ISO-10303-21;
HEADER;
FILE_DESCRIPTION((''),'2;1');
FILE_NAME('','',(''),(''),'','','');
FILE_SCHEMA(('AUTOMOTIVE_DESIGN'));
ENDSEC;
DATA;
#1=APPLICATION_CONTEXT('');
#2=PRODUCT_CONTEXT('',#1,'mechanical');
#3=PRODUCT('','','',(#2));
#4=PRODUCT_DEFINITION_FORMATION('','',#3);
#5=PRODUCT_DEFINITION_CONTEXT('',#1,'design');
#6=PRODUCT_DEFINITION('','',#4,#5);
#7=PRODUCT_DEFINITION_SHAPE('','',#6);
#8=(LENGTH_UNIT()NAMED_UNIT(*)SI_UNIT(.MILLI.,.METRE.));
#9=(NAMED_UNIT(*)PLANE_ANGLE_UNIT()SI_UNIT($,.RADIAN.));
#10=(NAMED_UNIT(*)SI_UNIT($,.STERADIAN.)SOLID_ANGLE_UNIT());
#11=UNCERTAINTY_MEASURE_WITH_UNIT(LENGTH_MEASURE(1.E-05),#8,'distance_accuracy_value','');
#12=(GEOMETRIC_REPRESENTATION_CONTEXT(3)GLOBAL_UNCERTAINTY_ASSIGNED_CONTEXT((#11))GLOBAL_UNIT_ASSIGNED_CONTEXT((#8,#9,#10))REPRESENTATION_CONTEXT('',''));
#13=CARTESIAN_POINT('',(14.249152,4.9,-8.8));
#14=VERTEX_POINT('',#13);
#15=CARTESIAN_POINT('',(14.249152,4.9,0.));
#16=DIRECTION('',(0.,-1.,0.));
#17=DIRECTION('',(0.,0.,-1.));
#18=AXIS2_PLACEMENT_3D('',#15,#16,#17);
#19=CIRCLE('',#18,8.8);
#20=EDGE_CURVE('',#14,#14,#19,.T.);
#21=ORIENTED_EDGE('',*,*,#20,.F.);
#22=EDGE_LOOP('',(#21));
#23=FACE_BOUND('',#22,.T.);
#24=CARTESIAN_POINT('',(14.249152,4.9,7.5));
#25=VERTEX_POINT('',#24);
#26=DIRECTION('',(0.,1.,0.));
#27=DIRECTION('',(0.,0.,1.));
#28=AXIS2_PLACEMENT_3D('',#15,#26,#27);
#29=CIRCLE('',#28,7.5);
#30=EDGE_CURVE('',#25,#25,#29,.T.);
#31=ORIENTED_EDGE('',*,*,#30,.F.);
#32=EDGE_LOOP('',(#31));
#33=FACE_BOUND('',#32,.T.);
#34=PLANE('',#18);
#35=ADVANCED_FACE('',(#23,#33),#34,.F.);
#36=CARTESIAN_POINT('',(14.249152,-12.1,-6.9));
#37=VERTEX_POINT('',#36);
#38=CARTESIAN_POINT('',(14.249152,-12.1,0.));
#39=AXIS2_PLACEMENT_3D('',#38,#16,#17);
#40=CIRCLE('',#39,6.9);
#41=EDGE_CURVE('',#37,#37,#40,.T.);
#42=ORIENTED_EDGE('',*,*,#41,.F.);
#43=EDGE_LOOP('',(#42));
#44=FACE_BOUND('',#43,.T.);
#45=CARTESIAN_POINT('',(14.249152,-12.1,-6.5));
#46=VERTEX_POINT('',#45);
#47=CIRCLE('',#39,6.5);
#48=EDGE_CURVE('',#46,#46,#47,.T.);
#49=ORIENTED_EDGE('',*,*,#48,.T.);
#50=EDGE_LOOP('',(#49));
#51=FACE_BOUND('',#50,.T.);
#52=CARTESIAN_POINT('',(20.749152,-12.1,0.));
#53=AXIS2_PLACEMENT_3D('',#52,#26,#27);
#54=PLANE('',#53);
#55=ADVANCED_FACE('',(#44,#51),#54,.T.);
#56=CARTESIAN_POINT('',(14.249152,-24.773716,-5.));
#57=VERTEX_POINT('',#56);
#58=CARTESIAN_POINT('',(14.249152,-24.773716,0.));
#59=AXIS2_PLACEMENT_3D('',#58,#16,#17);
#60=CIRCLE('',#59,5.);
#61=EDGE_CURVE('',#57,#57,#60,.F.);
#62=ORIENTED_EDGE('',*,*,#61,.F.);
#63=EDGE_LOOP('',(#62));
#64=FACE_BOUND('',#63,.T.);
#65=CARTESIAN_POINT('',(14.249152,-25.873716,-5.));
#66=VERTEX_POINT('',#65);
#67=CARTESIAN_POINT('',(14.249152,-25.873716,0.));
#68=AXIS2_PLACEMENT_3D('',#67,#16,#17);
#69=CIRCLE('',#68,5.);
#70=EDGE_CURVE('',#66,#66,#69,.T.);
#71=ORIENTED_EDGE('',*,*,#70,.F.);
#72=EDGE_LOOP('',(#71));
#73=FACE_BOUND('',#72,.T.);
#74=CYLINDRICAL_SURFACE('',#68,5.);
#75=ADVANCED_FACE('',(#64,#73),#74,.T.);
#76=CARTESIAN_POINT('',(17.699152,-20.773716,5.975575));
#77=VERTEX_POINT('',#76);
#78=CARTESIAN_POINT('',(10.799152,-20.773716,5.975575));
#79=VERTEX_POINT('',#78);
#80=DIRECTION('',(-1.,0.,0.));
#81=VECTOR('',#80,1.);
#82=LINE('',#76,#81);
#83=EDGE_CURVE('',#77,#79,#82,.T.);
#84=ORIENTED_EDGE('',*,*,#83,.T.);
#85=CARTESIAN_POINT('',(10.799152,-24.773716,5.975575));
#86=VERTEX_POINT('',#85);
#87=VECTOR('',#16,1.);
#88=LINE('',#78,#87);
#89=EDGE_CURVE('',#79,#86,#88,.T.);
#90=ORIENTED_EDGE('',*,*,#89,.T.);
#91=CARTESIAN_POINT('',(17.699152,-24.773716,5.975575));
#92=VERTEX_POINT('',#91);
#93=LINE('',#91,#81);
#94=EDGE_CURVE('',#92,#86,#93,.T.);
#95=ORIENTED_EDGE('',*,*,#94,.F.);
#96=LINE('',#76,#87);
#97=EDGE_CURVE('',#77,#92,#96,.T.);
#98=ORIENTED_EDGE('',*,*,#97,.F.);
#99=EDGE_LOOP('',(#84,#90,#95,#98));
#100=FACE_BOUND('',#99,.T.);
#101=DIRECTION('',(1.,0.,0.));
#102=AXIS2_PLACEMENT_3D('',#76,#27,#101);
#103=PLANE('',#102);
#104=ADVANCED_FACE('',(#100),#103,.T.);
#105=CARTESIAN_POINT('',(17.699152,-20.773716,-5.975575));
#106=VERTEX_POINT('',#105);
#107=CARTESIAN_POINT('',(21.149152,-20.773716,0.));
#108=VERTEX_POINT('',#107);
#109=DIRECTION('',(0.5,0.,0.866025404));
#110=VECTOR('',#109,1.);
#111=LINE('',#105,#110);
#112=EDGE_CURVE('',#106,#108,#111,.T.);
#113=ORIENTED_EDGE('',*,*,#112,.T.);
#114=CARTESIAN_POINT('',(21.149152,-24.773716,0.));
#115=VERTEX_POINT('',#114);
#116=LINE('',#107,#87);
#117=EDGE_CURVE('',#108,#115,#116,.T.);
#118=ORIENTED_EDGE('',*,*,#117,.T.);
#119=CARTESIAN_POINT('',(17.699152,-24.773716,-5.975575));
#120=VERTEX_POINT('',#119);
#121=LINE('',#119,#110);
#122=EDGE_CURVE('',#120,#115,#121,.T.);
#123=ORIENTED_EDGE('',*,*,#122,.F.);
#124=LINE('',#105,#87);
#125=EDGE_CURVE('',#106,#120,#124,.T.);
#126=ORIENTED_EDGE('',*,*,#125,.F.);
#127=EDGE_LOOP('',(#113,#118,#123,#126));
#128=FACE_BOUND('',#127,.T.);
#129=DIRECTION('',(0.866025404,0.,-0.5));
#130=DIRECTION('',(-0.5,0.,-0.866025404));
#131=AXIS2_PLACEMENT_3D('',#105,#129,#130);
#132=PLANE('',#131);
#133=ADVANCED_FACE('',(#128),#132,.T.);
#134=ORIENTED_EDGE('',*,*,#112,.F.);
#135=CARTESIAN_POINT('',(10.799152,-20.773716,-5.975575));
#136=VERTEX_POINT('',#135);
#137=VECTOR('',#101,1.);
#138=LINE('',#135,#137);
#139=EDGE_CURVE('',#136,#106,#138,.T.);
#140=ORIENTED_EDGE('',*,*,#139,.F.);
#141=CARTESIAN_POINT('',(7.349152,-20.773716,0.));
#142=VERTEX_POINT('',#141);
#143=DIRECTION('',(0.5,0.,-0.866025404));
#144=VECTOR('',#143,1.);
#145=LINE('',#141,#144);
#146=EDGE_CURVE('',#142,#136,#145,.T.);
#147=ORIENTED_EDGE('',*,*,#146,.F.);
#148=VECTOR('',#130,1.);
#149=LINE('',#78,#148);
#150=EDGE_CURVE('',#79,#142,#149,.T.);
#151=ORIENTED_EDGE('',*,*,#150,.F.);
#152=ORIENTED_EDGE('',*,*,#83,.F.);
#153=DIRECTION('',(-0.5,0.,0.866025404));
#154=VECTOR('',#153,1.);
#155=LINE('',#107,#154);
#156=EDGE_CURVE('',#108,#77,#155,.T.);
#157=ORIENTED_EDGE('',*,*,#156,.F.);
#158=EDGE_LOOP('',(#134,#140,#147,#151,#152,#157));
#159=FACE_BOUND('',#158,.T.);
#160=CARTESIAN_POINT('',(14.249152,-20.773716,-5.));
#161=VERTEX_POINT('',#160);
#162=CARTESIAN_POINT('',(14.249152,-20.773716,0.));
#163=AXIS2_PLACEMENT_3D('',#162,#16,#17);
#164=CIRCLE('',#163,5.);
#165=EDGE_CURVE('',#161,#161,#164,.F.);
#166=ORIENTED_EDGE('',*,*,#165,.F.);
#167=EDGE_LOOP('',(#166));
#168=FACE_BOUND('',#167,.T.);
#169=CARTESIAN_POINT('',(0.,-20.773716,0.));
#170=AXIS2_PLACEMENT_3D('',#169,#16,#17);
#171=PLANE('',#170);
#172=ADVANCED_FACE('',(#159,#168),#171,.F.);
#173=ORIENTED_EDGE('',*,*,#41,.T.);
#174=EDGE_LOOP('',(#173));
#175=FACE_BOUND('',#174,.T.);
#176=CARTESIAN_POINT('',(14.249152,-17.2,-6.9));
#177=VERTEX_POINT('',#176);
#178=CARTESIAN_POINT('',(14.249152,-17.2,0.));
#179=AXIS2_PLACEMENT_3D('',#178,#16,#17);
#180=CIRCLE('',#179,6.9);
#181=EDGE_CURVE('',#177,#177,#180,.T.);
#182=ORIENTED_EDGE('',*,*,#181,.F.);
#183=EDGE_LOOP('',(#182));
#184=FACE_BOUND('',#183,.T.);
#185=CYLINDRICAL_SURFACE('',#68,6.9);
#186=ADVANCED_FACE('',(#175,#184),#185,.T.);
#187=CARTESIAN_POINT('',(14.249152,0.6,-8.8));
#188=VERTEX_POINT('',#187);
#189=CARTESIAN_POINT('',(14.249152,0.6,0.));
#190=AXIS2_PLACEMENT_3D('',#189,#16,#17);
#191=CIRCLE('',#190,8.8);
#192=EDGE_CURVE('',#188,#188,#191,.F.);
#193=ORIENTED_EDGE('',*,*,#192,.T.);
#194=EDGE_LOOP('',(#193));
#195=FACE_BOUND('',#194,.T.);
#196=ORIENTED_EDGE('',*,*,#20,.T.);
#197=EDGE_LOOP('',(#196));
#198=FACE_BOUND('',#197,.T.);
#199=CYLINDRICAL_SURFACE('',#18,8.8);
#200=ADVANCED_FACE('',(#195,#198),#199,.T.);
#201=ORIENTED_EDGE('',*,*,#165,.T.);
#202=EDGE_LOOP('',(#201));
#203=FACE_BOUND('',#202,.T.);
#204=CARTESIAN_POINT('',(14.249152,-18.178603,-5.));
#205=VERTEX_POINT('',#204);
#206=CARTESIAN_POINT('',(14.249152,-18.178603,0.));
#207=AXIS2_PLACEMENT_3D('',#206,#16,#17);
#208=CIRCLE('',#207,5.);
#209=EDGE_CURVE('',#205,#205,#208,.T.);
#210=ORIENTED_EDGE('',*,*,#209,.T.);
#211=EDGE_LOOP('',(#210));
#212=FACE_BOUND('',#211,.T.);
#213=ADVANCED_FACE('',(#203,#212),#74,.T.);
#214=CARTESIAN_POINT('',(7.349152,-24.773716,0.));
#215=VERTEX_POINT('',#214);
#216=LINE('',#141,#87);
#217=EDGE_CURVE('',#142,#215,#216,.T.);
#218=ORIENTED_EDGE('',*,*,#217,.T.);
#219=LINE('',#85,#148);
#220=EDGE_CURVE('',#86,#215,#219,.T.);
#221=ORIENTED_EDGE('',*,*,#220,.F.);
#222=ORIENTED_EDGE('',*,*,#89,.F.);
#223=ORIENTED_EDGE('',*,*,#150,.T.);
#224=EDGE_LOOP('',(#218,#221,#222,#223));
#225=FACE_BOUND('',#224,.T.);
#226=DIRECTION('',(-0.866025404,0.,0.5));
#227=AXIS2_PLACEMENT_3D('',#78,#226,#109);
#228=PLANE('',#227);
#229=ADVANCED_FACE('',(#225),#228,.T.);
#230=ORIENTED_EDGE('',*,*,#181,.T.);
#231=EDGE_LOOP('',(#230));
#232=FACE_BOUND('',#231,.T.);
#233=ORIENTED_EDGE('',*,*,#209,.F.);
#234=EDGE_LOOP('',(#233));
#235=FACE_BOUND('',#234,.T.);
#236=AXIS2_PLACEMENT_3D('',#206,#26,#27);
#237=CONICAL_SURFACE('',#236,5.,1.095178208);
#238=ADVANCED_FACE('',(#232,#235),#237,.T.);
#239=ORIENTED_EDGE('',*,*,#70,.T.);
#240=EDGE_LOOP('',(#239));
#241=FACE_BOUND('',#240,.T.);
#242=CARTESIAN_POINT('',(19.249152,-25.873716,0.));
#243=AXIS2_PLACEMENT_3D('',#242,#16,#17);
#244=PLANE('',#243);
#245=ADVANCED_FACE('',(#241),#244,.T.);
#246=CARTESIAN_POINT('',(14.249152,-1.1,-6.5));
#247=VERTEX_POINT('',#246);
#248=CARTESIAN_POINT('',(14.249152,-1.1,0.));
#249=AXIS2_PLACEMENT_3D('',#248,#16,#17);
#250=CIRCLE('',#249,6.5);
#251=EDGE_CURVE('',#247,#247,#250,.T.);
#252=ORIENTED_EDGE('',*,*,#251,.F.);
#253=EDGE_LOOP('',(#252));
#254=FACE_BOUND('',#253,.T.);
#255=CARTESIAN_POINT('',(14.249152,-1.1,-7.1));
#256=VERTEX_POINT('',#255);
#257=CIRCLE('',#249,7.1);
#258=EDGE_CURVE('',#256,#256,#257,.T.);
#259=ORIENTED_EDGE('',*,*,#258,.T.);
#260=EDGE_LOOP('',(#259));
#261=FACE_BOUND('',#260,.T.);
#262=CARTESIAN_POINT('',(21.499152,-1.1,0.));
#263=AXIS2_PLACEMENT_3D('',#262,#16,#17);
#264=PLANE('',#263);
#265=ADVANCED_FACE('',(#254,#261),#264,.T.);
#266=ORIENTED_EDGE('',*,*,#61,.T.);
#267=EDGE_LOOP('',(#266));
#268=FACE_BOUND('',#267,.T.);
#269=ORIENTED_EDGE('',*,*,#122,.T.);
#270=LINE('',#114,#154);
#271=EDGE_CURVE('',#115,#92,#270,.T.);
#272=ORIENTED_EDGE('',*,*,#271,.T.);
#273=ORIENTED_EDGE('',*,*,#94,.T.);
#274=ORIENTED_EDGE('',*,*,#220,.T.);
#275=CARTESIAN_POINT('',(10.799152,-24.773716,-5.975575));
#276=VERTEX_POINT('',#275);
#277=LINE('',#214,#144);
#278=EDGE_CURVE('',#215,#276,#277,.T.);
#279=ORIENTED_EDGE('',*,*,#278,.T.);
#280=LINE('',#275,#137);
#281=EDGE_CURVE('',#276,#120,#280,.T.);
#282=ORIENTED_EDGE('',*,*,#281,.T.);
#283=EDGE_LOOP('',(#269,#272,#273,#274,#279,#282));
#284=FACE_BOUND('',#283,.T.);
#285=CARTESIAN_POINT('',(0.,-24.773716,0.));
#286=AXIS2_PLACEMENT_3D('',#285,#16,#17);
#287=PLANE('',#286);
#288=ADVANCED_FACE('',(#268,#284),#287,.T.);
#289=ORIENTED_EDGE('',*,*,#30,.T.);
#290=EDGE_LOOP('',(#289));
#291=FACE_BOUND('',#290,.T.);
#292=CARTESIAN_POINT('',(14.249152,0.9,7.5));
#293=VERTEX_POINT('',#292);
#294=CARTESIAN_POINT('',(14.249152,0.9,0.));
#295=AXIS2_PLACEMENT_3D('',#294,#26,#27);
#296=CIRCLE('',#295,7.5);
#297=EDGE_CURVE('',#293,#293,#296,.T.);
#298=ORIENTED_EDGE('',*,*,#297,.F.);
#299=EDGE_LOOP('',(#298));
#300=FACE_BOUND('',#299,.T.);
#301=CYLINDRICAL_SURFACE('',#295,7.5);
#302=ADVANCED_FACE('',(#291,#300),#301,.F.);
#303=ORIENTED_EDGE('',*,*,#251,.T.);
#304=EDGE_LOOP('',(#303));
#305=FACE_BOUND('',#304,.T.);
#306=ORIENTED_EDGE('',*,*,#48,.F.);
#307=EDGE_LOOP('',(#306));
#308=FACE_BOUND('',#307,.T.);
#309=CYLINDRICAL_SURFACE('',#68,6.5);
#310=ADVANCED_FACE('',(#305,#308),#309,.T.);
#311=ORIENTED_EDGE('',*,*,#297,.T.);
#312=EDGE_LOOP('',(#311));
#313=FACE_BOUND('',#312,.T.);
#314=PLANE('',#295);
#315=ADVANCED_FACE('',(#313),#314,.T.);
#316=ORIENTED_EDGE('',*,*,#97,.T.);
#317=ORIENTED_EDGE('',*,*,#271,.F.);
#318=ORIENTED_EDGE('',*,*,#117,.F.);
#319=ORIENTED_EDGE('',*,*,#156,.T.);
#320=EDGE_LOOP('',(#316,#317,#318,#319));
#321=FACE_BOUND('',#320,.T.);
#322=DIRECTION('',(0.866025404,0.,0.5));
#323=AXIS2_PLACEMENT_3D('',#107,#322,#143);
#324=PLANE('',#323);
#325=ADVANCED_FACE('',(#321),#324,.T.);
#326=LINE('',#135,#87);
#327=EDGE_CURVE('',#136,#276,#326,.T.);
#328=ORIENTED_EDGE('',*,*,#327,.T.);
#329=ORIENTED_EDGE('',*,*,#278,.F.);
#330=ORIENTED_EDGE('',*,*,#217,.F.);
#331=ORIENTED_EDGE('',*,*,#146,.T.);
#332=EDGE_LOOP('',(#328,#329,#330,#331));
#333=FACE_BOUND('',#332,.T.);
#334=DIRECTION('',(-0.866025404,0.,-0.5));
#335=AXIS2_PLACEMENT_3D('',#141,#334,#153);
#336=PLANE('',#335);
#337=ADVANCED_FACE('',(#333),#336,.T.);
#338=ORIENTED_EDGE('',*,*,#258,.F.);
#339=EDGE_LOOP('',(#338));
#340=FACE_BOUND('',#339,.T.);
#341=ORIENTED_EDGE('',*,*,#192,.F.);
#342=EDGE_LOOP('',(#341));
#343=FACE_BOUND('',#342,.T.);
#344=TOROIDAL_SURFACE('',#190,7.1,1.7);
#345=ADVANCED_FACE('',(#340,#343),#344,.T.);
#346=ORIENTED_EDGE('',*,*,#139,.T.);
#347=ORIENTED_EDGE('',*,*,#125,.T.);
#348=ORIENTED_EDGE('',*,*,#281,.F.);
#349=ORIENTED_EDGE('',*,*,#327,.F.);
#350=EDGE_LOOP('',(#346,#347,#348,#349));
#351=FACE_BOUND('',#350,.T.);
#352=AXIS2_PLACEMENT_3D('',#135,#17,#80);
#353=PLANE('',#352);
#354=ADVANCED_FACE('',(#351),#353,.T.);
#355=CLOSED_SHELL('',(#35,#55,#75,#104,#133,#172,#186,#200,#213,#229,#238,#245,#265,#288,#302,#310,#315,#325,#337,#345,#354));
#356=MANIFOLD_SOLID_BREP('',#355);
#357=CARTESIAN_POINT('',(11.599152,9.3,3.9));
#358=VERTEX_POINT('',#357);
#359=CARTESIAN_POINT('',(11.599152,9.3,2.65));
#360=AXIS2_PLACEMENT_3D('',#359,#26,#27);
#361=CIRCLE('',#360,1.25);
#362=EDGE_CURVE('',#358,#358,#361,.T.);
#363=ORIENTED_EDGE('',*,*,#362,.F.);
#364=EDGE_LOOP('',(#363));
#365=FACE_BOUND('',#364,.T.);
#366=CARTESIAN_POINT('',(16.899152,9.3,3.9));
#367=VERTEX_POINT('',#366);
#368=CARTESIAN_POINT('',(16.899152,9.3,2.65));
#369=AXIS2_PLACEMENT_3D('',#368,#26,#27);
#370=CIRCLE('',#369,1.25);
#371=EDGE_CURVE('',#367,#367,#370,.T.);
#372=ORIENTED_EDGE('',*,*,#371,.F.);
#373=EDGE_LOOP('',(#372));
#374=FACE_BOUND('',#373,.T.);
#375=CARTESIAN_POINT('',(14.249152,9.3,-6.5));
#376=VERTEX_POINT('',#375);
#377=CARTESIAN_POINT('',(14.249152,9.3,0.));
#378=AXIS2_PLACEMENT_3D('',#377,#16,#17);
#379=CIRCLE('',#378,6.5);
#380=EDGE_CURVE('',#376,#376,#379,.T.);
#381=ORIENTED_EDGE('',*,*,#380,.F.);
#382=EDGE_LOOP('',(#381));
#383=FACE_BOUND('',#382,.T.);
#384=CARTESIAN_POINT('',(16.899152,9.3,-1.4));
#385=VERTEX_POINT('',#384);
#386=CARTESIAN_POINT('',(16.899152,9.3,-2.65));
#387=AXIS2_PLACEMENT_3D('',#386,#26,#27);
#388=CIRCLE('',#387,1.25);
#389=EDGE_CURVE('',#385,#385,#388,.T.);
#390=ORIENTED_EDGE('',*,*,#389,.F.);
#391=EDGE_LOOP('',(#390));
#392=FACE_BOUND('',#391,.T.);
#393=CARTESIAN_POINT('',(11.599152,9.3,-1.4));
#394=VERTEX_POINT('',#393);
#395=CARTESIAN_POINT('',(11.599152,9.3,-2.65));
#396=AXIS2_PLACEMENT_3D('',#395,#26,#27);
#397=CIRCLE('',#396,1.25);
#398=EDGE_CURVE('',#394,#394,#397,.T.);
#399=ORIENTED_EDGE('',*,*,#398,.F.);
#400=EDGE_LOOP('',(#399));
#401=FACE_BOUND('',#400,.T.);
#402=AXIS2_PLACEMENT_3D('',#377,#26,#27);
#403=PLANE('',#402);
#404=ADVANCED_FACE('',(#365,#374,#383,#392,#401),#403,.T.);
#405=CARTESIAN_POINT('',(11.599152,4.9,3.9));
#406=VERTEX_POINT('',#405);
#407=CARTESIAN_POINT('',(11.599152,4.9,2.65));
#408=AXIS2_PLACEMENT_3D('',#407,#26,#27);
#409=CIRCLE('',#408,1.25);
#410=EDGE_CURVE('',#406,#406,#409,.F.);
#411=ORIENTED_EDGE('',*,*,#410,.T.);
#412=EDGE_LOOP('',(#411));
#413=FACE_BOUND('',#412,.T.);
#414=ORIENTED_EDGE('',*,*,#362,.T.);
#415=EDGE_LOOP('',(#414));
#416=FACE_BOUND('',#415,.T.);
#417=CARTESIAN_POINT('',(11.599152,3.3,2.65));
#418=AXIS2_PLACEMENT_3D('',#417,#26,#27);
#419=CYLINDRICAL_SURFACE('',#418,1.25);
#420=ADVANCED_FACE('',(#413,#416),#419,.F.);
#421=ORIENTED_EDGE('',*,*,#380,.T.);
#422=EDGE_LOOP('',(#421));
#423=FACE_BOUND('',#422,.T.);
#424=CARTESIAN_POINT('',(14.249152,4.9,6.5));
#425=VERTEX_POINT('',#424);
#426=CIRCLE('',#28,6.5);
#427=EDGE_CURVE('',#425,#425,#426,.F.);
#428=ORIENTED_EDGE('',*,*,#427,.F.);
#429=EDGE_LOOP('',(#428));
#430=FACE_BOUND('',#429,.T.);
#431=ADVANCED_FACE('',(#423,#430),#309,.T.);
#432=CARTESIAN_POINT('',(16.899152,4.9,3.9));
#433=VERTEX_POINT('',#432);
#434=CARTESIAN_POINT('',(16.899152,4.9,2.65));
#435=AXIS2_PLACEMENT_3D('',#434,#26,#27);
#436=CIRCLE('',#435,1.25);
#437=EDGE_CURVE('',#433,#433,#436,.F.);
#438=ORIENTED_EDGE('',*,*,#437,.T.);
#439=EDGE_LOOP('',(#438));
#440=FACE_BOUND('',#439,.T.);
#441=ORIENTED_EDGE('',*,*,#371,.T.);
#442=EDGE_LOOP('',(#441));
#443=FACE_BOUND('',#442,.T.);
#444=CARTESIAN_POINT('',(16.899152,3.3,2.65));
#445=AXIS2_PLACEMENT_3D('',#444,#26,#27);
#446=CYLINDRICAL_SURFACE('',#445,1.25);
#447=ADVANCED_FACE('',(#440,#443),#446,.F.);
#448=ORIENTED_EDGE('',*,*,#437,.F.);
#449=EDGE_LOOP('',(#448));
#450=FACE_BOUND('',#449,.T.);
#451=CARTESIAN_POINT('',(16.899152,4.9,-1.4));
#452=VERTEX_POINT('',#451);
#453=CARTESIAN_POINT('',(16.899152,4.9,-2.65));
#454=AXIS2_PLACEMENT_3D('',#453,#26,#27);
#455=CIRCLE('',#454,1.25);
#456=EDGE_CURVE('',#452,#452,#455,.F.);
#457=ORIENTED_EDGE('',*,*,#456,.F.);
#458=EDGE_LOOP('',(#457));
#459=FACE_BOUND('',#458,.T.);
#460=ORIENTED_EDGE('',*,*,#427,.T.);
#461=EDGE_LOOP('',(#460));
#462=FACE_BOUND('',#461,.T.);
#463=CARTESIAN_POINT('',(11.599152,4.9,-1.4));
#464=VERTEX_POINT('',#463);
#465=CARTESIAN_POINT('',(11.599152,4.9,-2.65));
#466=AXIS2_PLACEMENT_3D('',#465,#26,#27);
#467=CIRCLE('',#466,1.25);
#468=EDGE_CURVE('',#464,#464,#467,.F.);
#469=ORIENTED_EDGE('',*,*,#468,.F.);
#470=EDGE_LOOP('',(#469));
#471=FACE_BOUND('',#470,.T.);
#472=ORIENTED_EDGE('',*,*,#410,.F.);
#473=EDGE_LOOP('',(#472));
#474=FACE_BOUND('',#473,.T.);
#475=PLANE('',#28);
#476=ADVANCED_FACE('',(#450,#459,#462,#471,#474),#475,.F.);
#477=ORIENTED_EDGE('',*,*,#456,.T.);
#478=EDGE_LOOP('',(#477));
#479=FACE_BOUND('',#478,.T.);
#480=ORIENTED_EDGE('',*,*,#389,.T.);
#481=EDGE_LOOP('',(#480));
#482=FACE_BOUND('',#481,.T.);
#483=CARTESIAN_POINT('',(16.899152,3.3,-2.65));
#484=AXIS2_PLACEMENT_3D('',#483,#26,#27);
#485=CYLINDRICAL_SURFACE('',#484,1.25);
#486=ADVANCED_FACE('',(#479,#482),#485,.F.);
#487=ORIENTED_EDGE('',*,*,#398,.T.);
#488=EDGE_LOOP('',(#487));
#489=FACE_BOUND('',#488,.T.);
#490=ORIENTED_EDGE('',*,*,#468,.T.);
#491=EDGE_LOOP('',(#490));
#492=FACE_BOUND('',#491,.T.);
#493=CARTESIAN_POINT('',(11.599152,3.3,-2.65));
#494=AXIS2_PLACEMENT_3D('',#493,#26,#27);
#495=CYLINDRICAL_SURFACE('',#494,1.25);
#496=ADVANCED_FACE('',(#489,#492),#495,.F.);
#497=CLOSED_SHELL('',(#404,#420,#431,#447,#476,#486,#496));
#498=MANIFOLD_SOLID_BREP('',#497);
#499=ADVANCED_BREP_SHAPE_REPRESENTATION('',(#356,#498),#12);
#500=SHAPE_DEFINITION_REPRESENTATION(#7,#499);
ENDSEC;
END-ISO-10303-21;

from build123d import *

# Parameters (mm, degrees)
SZKIC19_R                   = 1.25
WYTNIJ_WYCI_GNI_CIE2_DEPTH  = 6
DODANIE_WYCI_GNI_CIE1_DEPTH = 4
SZKIC21_R                   = 8.8
DODANIE_WYCI_GNI_CIE2_DEPTH = 6
ZAOKR_GLENIE1_R             = 1.7
SZKIC22_R                   = 7.5
WYTNIJ_WYCI_GNI_CIE3_DEPTH  = 4


with BuildPart() as part:
    # Szkic18 → Obrót4 (revolve)
    with BuildSketch(Plane.XY, mode=Mode.PRIVATE) as obr_t4_sk:
        Polygon((14.249151908, 9.3), (20.749151908, 9.3), (20.749151908, 0), (21.499151908, 0), (21.499151908, -1.1), (20.749151908, -1.1), (20.749151908, -12.1), (21.149151908, -12.1), (21.149151908, -17.2), (19.249151908, -18.17860252), (19.249151908, -25.873716184), (14.249151908, -25.873716184), align=None)
    revolve(obr_t4_sk.sketch.rotate(Axis((14.249151908, -25.873716184, 0), (0, 1, 0)), 90), axis=Axis((14.249151908, -25.873716184, 0), (0, 1, 0)))

    # Szkic19 → Wytnij-wyciągnięcie2 (cut)
    with BuildSketch(Plane(origin=(0, 9.3, 0), x_dir=(1, 0, 0), z_dir=(0, 1, 0))):
        with Locations(Location((11.599151908, 2.65, 0), (0, 0, 270))):
            Circle(SZKIC19_R)
        with Locations(Location((16.899151908, 2.65, 0), (0, 0, 270))):
            Circle(SZKIC19_R)
        with Locations(Location((16.899151908, -2.65, 0), (0, 0, 270))):
            Circle(SZKIC19_R)
        with Locations(Location((11.599151908, -2.65, 0), (0, 0, 270))):
            Circle(SZKIC19_R)
    extrude(amount=-WYTNIJ_WYCI_GNI_CIE2_DEPTH, mode=Mode.SUBTRACT)

    # Szkic20 → Dodanie-wyciągnięcie1 (add)
    with BuildSketch(Plane(origin=(0, -24.773716184, 0), x_dir=(-1, 0, 0), z_dir=(0, -1, 0))):
        Polygon((-7.349151908, 0), (-10.799151908, 5.975575286), (-17.699151908, 5.975575286), (-21.149151908, 0), (-17.699151908, -5.975575286), (-10.799151908, -5.975575286), align=None)
    extrude(amount=-DODANIE_WYCI_GNI_CIE1_DEPTH)

    # Szkic21 → Dodanie-wyciągnięcie2 (add)
    with BuildSketch(Plane.XZ.offset(1.1)):
        with Locations(Location((14.249151908, 0, 0), (0, 0, 270))):
            Circle(SZKIC21_R)
    extrude(amount=-DODANIE_WYCI_GNI_CIE2_DEPTH)

    # Zaokrąglenie1
    zaokr_glenie1_edges = [part.edges().sort_by_distance(p)[0] for p in [
        (14.249151908, -1.1, 8.8),
    ]]
    fillet(zaokr_glenie1_edges, radius=ZAOKR_GLENIE1_R)

    # Szkic22 → Wytnij-wyciągnięcie3 (cut)
    with BuildSketch(Plane(origin=(0, 4.9, 0), x_dir=(1, 0, 0), z_dir=(0, 1, 0))):
        with Locations(Location((14.249151908, 0, 0), (0, 0, 270))):
            Circle(SZKIC22_R)
    extrude(amount=-WYTNIJ_WYCI_GNI_CIE3_DEPTH, mode=Mode.SUBTRACT)


with BuildPart() as wytnij_wyci_gni_cie3_piece_1:
    # of the separate pieces the step leaves, piece 1, a body of its own (wytnij_wyci_gni_cie3_pieces)
    add(part.part.solids().sort_by_distance((14.249151908, 0.6, -8.8))[0])


with BuildPart() as wytnij_wyci_gni_cie3_piece_2:
    # of the separate pieces the step leaves, piece 2, a body of its own (wytnij_wyci_gni_cie3_pieces)
    add(part.part.solids().sort_by_distance((14.249151908, 9.3, -6.5))[0])


solid = Compound([wytnij_wyci_gni_cie3_piece_1.part, wytnij_wyci_gni_cie3_piece_2.part])
